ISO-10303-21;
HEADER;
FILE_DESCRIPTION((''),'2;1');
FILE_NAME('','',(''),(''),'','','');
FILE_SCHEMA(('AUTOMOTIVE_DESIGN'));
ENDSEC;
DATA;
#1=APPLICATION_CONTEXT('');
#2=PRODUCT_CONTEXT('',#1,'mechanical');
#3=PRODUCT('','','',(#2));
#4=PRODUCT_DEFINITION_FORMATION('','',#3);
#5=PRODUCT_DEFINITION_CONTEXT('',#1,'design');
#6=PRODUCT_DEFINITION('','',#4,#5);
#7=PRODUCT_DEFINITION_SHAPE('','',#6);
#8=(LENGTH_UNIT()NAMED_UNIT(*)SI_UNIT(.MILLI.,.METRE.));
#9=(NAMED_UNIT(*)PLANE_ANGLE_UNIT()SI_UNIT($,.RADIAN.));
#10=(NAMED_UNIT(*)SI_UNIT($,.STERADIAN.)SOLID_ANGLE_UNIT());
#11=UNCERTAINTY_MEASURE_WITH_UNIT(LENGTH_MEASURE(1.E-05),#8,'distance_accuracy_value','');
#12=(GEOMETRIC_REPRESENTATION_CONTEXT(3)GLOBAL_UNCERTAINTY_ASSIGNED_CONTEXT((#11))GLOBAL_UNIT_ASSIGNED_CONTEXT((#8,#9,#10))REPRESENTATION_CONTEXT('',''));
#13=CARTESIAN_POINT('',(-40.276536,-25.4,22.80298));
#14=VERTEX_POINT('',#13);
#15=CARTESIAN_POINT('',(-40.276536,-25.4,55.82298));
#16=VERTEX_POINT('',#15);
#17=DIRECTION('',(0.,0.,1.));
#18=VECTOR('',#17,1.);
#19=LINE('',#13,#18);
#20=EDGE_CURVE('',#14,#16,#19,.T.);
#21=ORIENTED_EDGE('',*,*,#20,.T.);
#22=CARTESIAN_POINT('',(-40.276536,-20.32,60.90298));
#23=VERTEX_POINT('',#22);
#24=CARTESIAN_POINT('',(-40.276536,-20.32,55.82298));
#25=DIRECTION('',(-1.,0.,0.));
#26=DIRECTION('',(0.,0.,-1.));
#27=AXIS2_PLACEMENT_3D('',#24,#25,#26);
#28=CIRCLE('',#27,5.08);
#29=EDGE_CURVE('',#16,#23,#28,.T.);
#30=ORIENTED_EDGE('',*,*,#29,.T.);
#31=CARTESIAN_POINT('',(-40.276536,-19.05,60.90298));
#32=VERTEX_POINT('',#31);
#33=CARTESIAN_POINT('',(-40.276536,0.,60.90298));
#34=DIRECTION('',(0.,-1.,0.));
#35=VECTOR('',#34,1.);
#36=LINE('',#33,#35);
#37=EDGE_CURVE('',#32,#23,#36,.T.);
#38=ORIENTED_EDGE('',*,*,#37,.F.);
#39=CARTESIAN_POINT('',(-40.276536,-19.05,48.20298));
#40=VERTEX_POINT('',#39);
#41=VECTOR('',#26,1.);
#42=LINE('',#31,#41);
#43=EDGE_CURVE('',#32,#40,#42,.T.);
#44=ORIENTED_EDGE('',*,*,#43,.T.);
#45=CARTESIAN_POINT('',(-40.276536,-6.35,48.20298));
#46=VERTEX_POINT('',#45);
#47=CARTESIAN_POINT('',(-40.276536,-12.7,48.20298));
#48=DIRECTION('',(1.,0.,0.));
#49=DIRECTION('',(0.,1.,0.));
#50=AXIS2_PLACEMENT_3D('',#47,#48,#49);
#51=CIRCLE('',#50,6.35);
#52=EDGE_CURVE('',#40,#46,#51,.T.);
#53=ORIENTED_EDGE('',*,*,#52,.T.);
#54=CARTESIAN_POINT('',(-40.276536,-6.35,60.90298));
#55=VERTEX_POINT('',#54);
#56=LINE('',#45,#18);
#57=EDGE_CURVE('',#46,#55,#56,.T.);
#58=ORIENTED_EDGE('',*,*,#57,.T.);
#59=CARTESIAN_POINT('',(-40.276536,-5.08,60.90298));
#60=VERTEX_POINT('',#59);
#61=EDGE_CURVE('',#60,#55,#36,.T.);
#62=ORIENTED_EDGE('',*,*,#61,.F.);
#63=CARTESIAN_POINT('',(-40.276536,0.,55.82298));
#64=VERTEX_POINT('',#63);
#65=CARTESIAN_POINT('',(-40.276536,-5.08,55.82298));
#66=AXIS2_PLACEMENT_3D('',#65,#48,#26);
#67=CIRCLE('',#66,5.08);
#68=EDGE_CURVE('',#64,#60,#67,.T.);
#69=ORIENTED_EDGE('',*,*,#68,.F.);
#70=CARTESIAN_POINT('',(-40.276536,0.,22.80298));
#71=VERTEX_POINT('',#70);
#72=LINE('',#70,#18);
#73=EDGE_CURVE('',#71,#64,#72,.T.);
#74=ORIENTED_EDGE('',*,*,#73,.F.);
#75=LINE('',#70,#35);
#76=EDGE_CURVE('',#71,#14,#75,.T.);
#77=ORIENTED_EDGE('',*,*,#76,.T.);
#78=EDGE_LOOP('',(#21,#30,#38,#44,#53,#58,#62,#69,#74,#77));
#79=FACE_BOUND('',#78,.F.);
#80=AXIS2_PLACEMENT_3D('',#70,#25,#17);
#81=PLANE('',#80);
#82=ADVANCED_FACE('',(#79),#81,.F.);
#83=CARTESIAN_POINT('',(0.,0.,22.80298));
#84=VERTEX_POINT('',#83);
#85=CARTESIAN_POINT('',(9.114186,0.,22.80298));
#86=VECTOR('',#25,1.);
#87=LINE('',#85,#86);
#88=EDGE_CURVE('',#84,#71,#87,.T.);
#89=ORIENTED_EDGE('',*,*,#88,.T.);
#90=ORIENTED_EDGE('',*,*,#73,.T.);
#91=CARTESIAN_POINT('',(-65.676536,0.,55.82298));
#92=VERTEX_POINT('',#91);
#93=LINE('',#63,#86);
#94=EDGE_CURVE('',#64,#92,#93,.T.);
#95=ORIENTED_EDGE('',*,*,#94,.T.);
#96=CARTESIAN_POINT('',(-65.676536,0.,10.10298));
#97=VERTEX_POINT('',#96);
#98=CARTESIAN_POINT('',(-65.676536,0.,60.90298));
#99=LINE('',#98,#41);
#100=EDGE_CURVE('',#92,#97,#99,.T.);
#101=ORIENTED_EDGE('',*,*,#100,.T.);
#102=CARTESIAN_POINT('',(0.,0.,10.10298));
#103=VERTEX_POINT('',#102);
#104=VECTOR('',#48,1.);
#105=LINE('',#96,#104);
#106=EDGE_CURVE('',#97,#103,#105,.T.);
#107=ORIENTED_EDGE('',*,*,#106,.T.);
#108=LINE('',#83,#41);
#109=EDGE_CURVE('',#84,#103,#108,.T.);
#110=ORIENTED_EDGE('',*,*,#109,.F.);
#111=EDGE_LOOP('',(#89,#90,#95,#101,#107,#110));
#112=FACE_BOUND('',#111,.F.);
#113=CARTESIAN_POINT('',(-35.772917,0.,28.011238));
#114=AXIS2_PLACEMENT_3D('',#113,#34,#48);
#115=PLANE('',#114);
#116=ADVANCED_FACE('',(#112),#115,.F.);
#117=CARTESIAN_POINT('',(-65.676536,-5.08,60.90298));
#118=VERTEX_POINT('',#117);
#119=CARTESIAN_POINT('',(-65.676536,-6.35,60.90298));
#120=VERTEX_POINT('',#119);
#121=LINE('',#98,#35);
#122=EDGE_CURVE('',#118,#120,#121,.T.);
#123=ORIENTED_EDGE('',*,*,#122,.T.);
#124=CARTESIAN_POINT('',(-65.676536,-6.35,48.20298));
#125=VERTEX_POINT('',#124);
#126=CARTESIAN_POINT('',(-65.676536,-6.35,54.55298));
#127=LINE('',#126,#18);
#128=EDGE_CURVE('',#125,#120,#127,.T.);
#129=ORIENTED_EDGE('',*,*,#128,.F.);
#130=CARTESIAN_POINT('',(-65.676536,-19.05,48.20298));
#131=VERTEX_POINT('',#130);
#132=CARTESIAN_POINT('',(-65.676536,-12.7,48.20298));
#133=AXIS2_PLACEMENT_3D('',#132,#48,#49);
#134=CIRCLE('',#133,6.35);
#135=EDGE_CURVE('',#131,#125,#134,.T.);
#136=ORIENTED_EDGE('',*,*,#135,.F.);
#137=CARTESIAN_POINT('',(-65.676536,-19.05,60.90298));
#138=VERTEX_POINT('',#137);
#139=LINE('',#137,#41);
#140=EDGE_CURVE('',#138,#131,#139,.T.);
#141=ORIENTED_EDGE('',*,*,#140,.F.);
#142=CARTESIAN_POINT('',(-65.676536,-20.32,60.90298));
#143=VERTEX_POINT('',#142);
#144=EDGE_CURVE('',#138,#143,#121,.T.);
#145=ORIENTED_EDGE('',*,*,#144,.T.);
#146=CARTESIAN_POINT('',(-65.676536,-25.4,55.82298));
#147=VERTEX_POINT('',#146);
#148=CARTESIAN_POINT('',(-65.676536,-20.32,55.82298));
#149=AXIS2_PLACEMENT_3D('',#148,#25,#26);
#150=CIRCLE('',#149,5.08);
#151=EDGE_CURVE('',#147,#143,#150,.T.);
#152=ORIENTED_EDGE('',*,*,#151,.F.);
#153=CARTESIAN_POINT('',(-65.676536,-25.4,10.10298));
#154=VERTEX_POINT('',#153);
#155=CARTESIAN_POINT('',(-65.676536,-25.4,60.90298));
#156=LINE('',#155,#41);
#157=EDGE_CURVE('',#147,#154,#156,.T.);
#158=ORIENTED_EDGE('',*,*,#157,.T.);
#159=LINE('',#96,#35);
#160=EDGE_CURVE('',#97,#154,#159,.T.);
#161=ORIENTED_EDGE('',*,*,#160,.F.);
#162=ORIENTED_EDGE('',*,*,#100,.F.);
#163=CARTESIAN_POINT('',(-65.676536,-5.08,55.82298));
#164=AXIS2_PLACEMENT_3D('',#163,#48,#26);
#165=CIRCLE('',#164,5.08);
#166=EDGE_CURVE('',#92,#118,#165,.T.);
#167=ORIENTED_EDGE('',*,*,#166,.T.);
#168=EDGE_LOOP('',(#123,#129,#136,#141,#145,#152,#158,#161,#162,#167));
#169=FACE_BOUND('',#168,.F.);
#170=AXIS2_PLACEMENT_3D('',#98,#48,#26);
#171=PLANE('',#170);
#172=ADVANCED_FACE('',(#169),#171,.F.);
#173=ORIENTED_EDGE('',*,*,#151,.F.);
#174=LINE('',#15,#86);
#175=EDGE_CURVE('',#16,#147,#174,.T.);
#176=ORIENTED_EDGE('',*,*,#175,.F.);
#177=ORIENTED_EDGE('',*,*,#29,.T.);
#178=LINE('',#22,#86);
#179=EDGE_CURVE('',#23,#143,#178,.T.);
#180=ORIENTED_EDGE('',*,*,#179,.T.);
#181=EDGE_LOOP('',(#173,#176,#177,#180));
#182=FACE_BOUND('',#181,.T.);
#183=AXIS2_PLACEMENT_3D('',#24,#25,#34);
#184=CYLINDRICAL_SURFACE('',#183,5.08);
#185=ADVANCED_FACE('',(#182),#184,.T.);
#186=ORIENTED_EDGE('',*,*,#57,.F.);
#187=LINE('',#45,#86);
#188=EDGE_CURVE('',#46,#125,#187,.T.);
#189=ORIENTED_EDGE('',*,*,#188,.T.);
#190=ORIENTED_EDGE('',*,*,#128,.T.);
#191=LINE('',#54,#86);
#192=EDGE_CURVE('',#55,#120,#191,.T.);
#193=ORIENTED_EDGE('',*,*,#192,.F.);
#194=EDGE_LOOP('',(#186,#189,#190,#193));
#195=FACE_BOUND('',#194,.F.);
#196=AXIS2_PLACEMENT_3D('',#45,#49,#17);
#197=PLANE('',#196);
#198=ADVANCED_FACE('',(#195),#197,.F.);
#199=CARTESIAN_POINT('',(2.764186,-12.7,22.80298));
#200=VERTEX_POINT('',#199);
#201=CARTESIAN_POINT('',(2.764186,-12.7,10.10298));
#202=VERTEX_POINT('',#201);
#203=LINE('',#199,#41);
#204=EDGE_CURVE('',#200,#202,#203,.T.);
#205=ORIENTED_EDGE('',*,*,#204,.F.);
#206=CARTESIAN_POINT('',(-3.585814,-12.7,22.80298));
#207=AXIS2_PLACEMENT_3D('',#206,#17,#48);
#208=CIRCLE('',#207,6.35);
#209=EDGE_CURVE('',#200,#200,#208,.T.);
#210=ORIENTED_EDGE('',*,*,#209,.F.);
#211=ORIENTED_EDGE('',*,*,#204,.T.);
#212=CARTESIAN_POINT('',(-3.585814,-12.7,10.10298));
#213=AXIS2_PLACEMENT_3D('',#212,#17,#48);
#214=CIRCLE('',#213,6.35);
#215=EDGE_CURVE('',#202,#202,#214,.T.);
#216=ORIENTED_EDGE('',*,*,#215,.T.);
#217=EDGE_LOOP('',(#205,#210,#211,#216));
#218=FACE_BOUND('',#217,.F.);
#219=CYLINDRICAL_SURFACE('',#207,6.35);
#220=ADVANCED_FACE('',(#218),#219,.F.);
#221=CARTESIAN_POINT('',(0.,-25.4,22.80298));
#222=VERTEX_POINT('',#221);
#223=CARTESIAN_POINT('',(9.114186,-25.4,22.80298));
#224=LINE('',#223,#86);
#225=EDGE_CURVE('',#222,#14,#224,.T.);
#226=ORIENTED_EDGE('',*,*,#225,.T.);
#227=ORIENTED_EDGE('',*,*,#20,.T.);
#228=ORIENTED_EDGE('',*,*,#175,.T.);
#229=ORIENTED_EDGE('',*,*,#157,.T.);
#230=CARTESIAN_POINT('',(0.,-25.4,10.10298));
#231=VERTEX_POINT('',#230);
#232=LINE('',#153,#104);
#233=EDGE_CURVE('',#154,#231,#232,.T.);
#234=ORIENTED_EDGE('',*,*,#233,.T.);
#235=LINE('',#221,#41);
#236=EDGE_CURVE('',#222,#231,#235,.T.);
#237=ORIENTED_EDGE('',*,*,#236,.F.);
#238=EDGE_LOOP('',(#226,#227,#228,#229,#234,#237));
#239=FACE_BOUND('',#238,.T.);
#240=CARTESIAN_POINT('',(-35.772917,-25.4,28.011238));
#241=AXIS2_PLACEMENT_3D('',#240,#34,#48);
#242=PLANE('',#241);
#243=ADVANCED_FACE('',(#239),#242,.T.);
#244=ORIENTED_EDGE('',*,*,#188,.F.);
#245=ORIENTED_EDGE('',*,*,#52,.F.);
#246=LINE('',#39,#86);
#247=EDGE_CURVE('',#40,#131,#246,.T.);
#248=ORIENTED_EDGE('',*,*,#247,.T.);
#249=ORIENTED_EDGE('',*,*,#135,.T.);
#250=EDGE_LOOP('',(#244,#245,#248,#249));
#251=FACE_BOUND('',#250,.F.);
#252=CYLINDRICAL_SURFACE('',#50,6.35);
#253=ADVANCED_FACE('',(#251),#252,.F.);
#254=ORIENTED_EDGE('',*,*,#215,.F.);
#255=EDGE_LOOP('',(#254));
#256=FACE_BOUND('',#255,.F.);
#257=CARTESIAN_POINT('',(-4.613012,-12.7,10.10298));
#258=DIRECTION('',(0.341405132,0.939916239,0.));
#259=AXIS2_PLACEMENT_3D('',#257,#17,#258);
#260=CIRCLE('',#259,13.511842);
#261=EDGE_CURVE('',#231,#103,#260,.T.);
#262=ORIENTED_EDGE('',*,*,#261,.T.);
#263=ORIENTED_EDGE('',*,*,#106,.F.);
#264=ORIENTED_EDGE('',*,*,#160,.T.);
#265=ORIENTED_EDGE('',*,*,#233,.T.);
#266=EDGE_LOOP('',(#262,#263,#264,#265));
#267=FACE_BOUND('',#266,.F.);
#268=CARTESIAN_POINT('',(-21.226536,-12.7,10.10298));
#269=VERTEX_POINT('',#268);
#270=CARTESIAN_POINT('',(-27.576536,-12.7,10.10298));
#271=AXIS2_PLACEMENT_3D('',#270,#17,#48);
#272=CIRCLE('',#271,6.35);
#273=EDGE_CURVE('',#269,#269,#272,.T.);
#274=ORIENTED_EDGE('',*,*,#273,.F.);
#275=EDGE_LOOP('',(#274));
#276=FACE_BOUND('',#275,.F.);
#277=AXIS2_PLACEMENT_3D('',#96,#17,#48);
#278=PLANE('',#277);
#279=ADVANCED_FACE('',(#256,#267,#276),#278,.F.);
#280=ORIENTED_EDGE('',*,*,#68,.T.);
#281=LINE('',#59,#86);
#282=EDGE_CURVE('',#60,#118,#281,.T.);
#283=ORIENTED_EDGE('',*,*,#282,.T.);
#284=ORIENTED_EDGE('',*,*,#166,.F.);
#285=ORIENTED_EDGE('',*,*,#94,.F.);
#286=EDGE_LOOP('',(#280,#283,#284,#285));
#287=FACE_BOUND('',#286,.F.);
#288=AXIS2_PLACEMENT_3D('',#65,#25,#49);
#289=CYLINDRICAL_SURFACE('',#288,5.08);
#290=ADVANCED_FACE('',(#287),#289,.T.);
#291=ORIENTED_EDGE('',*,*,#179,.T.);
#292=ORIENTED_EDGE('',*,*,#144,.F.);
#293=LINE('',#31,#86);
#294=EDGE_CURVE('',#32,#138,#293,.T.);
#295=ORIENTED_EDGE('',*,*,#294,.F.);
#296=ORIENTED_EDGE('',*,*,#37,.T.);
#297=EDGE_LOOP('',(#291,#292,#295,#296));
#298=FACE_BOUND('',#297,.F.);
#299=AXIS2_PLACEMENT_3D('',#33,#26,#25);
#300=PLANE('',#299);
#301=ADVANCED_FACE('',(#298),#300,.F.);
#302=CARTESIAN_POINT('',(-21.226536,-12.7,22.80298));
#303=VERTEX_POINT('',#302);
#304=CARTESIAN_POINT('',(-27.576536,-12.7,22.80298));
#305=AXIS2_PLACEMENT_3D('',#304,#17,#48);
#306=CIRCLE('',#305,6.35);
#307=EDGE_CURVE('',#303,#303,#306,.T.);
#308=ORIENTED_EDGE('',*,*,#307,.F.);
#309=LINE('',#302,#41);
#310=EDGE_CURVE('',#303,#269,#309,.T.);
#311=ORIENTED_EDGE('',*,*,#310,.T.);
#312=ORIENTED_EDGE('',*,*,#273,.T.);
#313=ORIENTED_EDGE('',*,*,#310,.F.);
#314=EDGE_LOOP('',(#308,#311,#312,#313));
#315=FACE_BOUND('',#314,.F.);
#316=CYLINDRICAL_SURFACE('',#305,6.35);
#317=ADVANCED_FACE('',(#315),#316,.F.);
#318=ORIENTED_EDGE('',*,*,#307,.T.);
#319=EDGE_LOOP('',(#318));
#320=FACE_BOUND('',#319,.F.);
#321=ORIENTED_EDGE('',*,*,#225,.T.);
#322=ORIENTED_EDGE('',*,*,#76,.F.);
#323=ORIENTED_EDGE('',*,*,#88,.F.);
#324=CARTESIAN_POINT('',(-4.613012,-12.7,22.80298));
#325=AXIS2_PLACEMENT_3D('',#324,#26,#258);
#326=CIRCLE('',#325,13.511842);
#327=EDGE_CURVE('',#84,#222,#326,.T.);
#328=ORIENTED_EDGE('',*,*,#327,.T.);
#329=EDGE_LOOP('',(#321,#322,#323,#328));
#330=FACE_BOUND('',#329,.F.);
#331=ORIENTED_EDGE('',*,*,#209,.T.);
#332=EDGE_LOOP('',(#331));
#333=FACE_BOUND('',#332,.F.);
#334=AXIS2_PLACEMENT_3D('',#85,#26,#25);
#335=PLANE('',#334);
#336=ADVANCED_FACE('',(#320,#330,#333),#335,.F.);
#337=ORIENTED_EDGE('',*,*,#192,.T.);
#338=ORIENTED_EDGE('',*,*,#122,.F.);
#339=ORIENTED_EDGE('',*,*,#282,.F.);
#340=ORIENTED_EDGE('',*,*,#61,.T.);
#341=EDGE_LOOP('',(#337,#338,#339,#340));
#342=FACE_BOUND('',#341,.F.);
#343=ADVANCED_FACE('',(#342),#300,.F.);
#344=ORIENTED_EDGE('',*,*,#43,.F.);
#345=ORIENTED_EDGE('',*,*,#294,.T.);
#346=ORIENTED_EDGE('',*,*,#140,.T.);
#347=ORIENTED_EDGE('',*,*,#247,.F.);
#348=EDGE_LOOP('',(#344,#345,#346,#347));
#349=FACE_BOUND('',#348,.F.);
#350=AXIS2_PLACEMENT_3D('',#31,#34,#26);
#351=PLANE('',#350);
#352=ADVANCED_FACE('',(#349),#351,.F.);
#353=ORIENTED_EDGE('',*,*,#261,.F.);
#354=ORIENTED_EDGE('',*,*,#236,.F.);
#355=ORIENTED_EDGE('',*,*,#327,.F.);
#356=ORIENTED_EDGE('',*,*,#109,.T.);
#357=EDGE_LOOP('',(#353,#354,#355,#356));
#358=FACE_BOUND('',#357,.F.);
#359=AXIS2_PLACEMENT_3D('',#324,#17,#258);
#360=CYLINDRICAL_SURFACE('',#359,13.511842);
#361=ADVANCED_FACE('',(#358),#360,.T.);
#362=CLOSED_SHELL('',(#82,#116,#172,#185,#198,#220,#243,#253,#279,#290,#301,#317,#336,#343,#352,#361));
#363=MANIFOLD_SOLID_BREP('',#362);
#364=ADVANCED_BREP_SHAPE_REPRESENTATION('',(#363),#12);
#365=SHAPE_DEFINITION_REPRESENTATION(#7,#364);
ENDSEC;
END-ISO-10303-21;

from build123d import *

# Parameters (mm, degrees)
F1_DEPTH = 25.4
F2_R     = 6.35
F3_DEPTH = 12.701
F5_DEPTH = 25.401
F6_R     = 5.08
F7_R     = 5.08


with BuildPart() as f1:
    # F0 (on Front) → F1 (new body)
    with BuildSketch(Plane.XZ):
        Polygon((-40.276536, 60.90298), (-65.676536, 60.90298), (-65.676536, 10.10298), (9.114186, 10.10298), (9.114186, 22.80298), (-40.276536, 22.80298), align=None)
    extrude(amount=F1_DEPTH)

    # F2 (on face) → F3 (cut, through all)
    with BuildSketch(Plane.XY.offset(22.80298)):
        with Locations((-27.576536, -12.7)):
            Circle(F2_R)
        with Locations((-3.585814, -12.7)):
            Circle(F2_R)
        with BuildLine():
            ThreePointArc((0, 0), (8.89883, -12.7), (0, -25.4))
            Line((0, -25.4), (9.114186, -25.4))
            Line((9.114186, -25.4), (9.114186, 0))
            Line((9.114186, 0), (0, 0))
        make_face()
    extrude(amount=-F3_DEPTH, mode=Mode.SUBTRACT)

    # F4 (on face) → F5 (cut, through all)
    with BuildSketch(Plane.YZ.offset(-40.276536)):
        with BuildLine():
            ThreePointArc((-19.05, 48.20298), (-12.7, 41.85298), (-6.35, 48.20298))
            ThreePointArc((-6.35, 48.20298), (-12.7, 54.55298), (-19.05, 48.20298))
        make_face()
        with BuildLine():
            ThreePointArc((-19.05, 48.20298), (-12.7, 54.55298), (-6.35, 48.20298))
            Line((-6.35, 48.20298), (-6.35, 60.90298))
            Line((-6.35, 60.90298), (-19.05, 60.90298))
            Line((-19.05, 60.90298), (-19.05, 48.20298))
        make_face()
    extrude(amount=-F5_DEPTH, mode=Mode.SUBTRACT)

    # F6
    f6_edges = [f1.edges().sort_by_distance(p)[0] for p in [
        (-52.976536, -25.4, 60.90298),
    ]]
    fillet(f6_edges, radius=F6_R)

    # F7
    f7_edges = [f1.edges().sort_by_distance(p)[0] for p in [
        (-52.976536, 0, 60.90298),
    ]]
    fillet(f7_edges, radius=F7_R)


solid = f1.part
